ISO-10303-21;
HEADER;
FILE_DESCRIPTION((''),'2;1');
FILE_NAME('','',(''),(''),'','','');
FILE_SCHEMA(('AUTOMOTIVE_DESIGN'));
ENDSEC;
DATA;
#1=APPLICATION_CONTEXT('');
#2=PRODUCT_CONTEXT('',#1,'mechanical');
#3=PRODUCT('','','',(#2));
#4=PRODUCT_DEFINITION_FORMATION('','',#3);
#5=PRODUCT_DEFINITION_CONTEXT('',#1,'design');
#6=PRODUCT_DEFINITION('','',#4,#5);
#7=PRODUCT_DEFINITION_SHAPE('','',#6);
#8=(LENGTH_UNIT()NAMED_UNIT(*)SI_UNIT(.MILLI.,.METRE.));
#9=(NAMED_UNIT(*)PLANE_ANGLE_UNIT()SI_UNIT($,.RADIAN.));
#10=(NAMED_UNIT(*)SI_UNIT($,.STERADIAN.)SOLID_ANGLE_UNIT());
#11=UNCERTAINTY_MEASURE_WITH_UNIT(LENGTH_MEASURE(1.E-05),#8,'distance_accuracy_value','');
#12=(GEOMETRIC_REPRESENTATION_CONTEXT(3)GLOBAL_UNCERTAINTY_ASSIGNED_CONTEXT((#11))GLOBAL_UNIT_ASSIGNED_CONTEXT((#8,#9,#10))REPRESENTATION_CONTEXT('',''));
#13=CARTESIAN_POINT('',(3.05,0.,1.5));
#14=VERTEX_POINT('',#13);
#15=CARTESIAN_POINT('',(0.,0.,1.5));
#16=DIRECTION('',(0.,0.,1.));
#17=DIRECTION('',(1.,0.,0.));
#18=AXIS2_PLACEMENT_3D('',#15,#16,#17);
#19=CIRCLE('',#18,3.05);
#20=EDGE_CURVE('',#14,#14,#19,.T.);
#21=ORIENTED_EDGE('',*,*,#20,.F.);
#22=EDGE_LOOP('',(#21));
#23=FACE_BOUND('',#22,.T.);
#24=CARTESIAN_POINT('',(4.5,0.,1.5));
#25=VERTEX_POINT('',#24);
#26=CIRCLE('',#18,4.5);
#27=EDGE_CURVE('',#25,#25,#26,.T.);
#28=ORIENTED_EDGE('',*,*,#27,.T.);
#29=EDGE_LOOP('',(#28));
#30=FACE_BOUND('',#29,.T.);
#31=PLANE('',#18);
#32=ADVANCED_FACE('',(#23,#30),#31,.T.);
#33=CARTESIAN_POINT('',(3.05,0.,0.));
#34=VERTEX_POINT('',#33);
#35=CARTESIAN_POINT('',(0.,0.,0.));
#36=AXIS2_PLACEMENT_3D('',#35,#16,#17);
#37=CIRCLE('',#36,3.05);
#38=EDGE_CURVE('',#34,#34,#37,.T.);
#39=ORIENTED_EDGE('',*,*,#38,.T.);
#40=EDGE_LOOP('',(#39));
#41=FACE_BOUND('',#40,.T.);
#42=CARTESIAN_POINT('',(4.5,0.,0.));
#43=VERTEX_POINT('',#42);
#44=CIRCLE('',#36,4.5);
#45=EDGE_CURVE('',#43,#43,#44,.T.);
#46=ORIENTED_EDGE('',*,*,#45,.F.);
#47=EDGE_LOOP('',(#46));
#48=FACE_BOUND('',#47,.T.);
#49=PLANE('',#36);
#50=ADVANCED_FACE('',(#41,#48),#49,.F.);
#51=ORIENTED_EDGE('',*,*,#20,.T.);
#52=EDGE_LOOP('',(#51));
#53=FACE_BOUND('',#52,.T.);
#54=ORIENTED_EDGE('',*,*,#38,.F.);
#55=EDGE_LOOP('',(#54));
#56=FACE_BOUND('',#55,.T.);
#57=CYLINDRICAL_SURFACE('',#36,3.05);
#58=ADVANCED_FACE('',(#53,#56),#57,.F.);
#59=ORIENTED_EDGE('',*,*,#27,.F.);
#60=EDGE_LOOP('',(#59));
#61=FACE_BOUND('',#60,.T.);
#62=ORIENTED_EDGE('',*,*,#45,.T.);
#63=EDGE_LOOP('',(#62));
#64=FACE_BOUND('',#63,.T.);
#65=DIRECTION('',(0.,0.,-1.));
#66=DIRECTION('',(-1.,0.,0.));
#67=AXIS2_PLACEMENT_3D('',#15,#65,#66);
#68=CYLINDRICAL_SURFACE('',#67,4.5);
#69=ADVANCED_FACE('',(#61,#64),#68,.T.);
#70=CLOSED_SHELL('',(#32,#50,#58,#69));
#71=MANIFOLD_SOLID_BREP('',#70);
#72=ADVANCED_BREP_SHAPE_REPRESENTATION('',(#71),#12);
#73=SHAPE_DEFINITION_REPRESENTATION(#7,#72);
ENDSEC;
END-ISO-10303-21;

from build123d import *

# Parameters (mm, degrees)
SKETCH_1_R          = 4.5
EXTRUDE_1_DEPTH     = 1.5
SKETCH_2_R          = 3.05
CUT_EXTRUDE_1_DEPTH = 2.5


with BuildPart() as part:
    # 草图1 → 凸台-拉伸1 (new body)
    with BuildSketch(Plane.XY):
        Circle(SKETCH_1_R)
    extrude(amount=EXTRUDE_1_DEPTH)

    # 草图2 → 切除-拉伸1 (cut, through all)
    with BuildSketch(Plane.XY.offset(1.5)):
        Circle(SKETCH_2_R)
    extrude(amount=-CUT_EXTRUDE_1_DEPTH, mode=Mode.SUBTRACT)


solid = part.part
